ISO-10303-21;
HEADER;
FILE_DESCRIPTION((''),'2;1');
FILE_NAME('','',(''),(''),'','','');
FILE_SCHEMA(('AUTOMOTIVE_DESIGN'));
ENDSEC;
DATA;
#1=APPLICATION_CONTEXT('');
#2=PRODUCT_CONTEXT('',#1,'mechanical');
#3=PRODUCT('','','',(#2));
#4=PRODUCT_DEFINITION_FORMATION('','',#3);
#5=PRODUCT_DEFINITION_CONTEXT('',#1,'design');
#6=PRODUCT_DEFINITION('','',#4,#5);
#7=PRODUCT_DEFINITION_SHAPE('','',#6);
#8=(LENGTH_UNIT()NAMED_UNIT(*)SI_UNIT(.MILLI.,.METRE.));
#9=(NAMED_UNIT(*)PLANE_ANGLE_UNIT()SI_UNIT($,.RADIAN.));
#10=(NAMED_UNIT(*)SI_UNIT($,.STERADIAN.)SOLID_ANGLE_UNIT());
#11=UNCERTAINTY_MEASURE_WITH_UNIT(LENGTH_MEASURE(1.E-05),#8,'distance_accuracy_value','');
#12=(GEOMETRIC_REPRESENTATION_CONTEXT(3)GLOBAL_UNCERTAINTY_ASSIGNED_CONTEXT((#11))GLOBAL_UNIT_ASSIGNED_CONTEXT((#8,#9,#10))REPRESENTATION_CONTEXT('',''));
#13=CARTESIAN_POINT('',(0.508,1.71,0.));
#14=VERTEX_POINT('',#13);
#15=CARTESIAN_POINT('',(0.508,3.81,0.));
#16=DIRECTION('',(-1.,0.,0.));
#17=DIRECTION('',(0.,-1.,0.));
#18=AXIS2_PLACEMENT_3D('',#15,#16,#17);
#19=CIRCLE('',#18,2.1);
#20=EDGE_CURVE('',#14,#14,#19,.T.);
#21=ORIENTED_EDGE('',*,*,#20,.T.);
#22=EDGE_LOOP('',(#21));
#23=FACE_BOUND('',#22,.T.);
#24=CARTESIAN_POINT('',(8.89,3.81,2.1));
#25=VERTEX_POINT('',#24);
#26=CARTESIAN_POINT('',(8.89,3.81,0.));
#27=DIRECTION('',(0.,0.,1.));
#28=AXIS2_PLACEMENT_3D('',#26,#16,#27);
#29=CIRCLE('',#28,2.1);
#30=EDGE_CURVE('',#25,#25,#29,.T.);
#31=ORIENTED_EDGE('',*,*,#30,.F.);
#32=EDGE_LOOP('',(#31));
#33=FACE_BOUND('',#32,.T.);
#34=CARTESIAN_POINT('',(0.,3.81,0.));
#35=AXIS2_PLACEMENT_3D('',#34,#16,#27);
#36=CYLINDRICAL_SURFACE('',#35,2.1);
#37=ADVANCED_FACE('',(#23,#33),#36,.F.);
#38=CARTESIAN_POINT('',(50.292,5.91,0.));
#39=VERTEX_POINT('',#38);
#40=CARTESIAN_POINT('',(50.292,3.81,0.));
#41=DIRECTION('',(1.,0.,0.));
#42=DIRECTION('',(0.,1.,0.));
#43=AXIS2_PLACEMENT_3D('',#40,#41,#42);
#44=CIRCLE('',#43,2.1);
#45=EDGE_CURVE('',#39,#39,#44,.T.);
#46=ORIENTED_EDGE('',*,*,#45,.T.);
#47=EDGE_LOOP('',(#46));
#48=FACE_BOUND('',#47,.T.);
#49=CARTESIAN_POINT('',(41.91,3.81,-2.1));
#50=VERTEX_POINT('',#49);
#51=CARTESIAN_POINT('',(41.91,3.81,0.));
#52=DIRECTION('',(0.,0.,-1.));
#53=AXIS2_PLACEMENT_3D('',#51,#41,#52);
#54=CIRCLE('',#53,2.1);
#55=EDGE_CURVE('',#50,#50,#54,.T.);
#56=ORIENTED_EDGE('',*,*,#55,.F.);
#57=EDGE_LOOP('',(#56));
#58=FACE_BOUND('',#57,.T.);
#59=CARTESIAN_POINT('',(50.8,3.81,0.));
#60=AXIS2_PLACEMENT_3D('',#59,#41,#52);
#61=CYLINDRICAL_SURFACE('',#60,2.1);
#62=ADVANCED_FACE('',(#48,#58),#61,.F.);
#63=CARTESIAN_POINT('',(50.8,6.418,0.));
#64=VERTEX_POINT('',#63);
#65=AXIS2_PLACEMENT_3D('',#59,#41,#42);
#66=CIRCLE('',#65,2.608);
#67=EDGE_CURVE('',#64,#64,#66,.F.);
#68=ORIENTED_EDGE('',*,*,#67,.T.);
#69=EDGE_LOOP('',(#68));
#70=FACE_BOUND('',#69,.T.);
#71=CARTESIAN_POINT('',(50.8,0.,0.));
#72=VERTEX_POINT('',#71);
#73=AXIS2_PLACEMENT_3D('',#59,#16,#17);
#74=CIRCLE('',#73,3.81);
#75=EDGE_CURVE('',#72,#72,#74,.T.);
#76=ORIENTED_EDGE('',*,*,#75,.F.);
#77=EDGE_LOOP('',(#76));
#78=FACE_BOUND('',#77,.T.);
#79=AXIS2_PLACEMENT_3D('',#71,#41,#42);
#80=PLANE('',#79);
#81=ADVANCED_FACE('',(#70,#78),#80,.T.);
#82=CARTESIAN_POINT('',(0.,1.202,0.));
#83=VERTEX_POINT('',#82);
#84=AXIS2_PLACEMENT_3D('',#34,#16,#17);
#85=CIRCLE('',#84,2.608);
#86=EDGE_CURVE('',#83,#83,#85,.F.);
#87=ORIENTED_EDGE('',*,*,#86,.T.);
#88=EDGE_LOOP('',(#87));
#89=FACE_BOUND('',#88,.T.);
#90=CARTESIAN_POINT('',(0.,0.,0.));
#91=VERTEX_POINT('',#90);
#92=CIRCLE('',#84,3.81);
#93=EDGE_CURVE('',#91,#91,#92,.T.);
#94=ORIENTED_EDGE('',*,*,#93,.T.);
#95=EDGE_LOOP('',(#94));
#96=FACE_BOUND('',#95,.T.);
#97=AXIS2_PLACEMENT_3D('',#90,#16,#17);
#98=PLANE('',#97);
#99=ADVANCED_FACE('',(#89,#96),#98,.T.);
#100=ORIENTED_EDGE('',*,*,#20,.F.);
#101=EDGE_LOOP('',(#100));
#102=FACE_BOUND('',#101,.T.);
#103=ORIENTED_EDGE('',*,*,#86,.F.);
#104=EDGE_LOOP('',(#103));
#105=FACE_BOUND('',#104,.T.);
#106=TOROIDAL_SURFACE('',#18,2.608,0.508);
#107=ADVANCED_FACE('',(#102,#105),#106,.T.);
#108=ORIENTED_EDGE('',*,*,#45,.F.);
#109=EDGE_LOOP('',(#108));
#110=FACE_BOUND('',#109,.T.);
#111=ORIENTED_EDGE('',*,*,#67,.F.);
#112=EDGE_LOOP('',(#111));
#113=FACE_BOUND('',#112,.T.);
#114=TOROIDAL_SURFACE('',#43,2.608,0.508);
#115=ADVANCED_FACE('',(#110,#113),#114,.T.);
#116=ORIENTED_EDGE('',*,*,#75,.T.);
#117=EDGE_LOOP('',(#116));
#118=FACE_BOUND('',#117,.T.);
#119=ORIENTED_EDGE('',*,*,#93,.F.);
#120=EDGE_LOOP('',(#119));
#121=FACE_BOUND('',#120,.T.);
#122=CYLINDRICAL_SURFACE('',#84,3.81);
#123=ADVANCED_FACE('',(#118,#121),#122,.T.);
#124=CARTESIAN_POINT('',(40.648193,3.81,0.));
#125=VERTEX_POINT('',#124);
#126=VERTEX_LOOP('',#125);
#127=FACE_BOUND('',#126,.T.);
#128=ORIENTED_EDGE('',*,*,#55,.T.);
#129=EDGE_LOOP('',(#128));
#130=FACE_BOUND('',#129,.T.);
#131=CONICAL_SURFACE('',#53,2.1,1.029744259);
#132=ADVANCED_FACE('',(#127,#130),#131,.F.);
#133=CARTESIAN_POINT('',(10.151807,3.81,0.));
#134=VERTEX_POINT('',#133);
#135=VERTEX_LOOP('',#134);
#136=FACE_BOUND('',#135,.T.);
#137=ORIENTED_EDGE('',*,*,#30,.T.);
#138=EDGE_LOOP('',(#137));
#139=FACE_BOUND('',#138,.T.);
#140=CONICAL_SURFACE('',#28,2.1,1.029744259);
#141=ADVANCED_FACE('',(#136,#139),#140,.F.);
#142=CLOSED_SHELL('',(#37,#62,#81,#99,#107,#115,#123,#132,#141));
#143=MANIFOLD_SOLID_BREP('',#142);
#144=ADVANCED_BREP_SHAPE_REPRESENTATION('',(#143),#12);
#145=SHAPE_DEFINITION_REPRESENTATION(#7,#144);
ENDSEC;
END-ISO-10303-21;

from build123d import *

# Parameters (mm, degrees)
FILLET1_R = 0.508


with BuildPart() as part:
    # Sketch1 → Revolve1 (revolve)
    with BuildSketch(Plane.XY):
        Polygon((0, 0), (0, 3.81), (50.8, 3.81), (50.8, 0), (37.892541774, 0), (12.907458226, 0), align=None)
    revolve(axis=Axis((0, 3.81, 0), (1, 0, 0)))

    # Sketch6 → Tap Drill for M4 Helicoil1 (revolve, cut)
    with BuildSketch(Plane.ZX.offset(3.81)):
        Polygon((0, 0), (0, 10.1518073), (2.1, 8.89), (2.1, 0), align=None)
    tap_drill_for_m4_helicoil1 = revolve(axis=Axis((-6.35, 3.81, 0), (1, 0, 0)), mode=Mode.SUBTRACT)

    # Mirror1: Tap Drill for M4 Helicoil1 across plane
    add(tap_drill_for_m4_helicoil1.mirror(Plane.ZY.offset(-25.4)), mode=Mode.SUBTRACT)

    # Fillet1
    fillet1_edges = [part.edges().sort_by_distance(p)[0] for p in [
        (0, 3.81, -2.1),
        (50.8, 3.81, -2.1),
    ]]
    fillet(fillet1_edges, radius=FILLET1_R)


solid = part.part
